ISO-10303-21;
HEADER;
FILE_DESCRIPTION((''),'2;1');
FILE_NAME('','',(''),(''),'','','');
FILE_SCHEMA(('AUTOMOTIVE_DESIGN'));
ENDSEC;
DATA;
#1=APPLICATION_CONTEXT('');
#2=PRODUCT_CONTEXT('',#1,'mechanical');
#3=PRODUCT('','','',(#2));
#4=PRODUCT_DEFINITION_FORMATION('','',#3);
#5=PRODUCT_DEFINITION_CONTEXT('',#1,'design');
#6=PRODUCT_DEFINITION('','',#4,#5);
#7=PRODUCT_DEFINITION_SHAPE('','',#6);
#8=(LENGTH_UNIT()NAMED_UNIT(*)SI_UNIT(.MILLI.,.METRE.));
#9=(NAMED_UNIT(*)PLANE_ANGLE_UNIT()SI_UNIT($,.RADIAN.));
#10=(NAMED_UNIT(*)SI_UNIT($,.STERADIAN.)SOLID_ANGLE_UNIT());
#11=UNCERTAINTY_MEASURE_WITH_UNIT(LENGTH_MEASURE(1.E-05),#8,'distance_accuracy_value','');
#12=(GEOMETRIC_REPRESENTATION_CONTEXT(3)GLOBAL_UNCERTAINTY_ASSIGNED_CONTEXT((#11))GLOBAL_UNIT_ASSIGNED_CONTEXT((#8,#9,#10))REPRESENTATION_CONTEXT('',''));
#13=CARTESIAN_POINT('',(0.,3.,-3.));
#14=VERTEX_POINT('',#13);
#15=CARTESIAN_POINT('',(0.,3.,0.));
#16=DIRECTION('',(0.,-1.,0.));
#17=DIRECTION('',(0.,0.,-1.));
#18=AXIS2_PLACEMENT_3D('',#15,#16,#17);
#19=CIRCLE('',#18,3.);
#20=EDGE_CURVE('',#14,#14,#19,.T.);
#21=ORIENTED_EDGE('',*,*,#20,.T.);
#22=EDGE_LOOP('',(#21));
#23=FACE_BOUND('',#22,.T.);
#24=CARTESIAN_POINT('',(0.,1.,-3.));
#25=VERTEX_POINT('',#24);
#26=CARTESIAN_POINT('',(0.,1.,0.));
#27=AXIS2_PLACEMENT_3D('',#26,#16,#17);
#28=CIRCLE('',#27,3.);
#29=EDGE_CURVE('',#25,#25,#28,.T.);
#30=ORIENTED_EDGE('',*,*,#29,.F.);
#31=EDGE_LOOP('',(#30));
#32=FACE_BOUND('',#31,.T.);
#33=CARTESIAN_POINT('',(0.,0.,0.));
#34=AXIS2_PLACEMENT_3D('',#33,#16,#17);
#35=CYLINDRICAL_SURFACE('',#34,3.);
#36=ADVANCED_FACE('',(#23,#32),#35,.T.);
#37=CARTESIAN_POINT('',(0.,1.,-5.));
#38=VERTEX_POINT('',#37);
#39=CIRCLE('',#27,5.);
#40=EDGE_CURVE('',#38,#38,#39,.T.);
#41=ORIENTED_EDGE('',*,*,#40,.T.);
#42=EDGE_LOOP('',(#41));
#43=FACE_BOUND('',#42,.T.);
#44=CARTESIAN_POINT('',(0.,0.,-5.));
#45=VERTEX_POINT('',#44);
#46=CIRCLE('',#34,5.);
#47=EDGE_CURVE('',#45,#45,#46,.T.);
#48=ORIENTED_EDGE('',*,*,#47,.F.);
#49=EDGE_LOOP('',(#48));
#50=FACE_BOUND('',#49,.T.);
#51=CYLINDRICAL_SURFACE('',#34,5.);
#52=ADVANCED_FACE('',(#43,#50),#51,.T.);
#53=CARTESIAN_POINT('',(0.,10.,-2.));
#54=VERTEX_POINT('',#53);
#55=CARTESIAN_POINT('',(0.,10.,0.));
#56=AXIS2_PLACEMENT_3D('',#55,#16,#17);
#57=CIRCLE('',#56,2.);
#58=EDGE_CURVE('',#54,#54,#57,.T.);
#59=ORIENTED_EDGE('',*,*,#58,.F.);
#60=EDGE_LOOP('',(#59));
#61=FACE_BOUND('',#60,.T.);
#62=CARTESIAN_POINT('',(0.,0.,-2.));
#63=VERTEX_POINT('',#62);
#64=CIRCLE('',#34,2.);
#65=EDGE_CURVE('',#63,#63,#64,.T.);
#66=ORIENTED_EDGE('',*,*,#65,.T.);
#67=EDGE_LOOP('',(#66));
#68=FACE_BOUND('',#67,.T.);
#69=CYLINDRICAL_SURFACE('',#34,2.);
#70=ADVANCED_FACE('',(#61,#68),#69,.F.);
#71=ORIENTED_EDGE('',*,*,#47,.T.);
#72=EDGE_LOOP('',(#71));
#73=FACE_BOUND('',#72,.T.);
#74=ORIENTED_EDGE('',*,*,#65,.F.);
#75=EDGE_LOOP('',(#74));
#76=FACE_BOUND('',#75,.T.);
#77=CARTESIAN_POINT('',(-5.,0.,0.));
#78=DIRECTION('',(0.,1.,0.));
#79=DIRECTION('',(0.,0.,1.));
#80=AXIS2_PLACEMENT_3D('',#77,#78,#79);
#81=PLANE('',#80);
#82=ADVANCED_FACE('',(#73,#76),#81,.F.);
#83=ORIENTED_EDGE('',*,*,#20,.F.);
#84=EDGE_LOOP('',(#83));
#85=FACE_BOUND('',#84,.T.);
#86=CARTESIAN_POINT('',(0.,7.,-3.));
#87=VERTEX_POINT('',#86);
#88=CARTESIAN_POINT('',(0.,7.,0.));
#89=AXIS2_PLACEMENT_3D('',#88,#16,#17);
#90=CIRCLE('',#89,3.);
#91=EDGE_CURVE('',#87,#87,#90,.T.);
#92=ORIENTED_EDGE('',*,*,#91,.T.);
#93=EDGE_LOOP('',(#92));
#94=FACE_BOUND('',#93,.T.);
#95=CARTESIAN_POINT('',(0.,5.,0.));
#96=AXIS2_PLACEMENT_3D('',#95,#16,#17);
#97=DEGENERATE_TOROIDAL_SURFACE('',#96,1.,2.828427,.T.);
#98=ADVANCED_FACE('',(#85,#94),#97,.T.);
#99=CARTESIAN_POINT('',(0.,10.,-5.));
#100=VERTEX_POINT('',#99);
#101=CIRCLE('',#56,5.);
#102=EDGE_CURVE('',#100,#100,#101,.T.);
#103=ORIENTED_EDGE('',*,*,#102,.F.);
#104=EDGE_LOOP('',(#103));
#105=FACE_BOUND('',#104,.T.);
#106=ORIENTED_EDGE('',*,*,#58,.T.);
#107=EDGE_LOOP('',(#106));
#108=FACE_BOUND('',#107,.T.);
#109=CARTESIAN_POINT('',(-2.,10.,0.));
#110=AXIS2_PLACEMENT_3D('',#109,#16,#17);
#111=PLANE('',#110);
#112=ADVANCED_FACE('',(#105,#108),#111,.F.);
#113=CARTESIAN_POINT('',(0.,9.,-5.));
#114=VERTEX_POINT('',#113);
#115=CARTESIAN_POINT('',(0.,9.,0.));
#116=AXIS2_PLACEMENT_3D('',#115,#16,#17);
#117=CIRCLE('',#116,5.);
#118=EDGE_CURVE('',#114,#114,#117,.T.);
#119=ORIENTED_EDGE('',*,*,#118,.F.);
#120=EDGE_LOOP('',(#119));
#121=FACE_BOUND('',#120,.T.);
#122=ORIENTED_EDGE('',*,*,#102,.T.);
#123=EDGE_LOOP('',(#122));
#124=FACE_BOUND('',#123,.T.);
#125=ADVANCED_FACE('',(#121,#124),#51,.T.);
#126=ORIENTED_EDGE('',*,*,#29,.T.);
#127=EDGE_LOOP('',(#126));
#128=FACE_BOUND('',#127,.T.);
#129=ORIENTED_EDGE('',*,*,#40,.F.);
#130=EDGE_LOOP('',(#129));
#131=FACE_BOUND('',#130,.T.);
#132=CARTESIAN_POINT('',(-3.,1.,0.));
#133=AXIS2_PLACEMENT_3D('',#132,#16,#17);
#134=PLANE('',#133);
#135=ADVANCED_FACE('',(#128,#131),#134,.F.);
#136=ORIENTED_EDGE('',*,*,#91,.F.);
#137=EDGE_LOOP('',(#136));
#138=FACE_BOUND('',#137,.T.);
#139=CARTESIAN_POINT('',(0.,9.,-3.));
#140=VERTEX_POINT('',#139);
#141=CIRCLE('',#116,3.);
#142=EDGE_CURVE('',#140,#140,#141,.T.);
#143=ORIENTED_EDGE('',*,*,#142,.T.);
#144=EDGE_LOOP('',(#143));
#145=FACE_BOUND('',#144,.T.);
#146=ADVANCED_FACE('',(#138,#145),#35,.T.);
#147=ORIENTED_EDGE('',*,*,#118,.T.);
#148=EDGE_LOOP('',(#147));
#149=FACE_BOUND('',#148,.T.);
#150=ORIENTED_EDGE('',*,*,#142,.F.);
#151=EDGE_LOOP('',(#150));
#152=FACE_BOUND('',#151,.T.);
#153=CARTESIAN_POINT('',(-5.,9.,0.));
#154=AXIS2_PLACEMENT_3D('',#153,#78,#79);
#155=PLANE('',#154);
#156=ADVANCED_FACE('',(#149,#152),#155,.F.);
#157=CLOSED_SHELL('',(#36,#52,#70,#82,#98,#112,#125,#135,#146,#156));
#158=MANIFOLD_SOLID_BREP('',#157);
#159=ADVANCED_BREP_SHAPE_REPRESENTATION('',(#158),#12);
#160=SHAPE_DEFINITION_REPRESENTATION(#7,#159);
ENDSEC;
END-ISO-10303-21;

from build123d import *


with BuildPart() as part:
    # Croquis1 → Revolución1 (revolve)
    with BuildSketch(Plane.XY, mode=Mode.PRIVATE) as revoluci_n1_sk:
        with BuildLine():
            Line((-2, 10), (-5, 10))
            Line((-5, 10), (-5, 9))
            Line((-5, 9), (-3, 9))
            Line((-3, 9), (-3, 7))
            ThreePointArc((-3, 7), (-3.828427125, 5), (-3, 3))
            Line((-3, 3), (-3, 1))
            Line((-3, 1), (-5, 1))
            Line((-5, 1), (-5, 0))
            Line((-5, 0), (-2, 0))
            Line((-2, 0), (-2, 10))
        make_face()
    revolve(revoluci_n1_sk.sketch.rotate(Axis((0, 0, 0), (0, 1, 0)), 270), axis=Axis((0, 0, 0), (0, 1, 0)))


solid = part.part
